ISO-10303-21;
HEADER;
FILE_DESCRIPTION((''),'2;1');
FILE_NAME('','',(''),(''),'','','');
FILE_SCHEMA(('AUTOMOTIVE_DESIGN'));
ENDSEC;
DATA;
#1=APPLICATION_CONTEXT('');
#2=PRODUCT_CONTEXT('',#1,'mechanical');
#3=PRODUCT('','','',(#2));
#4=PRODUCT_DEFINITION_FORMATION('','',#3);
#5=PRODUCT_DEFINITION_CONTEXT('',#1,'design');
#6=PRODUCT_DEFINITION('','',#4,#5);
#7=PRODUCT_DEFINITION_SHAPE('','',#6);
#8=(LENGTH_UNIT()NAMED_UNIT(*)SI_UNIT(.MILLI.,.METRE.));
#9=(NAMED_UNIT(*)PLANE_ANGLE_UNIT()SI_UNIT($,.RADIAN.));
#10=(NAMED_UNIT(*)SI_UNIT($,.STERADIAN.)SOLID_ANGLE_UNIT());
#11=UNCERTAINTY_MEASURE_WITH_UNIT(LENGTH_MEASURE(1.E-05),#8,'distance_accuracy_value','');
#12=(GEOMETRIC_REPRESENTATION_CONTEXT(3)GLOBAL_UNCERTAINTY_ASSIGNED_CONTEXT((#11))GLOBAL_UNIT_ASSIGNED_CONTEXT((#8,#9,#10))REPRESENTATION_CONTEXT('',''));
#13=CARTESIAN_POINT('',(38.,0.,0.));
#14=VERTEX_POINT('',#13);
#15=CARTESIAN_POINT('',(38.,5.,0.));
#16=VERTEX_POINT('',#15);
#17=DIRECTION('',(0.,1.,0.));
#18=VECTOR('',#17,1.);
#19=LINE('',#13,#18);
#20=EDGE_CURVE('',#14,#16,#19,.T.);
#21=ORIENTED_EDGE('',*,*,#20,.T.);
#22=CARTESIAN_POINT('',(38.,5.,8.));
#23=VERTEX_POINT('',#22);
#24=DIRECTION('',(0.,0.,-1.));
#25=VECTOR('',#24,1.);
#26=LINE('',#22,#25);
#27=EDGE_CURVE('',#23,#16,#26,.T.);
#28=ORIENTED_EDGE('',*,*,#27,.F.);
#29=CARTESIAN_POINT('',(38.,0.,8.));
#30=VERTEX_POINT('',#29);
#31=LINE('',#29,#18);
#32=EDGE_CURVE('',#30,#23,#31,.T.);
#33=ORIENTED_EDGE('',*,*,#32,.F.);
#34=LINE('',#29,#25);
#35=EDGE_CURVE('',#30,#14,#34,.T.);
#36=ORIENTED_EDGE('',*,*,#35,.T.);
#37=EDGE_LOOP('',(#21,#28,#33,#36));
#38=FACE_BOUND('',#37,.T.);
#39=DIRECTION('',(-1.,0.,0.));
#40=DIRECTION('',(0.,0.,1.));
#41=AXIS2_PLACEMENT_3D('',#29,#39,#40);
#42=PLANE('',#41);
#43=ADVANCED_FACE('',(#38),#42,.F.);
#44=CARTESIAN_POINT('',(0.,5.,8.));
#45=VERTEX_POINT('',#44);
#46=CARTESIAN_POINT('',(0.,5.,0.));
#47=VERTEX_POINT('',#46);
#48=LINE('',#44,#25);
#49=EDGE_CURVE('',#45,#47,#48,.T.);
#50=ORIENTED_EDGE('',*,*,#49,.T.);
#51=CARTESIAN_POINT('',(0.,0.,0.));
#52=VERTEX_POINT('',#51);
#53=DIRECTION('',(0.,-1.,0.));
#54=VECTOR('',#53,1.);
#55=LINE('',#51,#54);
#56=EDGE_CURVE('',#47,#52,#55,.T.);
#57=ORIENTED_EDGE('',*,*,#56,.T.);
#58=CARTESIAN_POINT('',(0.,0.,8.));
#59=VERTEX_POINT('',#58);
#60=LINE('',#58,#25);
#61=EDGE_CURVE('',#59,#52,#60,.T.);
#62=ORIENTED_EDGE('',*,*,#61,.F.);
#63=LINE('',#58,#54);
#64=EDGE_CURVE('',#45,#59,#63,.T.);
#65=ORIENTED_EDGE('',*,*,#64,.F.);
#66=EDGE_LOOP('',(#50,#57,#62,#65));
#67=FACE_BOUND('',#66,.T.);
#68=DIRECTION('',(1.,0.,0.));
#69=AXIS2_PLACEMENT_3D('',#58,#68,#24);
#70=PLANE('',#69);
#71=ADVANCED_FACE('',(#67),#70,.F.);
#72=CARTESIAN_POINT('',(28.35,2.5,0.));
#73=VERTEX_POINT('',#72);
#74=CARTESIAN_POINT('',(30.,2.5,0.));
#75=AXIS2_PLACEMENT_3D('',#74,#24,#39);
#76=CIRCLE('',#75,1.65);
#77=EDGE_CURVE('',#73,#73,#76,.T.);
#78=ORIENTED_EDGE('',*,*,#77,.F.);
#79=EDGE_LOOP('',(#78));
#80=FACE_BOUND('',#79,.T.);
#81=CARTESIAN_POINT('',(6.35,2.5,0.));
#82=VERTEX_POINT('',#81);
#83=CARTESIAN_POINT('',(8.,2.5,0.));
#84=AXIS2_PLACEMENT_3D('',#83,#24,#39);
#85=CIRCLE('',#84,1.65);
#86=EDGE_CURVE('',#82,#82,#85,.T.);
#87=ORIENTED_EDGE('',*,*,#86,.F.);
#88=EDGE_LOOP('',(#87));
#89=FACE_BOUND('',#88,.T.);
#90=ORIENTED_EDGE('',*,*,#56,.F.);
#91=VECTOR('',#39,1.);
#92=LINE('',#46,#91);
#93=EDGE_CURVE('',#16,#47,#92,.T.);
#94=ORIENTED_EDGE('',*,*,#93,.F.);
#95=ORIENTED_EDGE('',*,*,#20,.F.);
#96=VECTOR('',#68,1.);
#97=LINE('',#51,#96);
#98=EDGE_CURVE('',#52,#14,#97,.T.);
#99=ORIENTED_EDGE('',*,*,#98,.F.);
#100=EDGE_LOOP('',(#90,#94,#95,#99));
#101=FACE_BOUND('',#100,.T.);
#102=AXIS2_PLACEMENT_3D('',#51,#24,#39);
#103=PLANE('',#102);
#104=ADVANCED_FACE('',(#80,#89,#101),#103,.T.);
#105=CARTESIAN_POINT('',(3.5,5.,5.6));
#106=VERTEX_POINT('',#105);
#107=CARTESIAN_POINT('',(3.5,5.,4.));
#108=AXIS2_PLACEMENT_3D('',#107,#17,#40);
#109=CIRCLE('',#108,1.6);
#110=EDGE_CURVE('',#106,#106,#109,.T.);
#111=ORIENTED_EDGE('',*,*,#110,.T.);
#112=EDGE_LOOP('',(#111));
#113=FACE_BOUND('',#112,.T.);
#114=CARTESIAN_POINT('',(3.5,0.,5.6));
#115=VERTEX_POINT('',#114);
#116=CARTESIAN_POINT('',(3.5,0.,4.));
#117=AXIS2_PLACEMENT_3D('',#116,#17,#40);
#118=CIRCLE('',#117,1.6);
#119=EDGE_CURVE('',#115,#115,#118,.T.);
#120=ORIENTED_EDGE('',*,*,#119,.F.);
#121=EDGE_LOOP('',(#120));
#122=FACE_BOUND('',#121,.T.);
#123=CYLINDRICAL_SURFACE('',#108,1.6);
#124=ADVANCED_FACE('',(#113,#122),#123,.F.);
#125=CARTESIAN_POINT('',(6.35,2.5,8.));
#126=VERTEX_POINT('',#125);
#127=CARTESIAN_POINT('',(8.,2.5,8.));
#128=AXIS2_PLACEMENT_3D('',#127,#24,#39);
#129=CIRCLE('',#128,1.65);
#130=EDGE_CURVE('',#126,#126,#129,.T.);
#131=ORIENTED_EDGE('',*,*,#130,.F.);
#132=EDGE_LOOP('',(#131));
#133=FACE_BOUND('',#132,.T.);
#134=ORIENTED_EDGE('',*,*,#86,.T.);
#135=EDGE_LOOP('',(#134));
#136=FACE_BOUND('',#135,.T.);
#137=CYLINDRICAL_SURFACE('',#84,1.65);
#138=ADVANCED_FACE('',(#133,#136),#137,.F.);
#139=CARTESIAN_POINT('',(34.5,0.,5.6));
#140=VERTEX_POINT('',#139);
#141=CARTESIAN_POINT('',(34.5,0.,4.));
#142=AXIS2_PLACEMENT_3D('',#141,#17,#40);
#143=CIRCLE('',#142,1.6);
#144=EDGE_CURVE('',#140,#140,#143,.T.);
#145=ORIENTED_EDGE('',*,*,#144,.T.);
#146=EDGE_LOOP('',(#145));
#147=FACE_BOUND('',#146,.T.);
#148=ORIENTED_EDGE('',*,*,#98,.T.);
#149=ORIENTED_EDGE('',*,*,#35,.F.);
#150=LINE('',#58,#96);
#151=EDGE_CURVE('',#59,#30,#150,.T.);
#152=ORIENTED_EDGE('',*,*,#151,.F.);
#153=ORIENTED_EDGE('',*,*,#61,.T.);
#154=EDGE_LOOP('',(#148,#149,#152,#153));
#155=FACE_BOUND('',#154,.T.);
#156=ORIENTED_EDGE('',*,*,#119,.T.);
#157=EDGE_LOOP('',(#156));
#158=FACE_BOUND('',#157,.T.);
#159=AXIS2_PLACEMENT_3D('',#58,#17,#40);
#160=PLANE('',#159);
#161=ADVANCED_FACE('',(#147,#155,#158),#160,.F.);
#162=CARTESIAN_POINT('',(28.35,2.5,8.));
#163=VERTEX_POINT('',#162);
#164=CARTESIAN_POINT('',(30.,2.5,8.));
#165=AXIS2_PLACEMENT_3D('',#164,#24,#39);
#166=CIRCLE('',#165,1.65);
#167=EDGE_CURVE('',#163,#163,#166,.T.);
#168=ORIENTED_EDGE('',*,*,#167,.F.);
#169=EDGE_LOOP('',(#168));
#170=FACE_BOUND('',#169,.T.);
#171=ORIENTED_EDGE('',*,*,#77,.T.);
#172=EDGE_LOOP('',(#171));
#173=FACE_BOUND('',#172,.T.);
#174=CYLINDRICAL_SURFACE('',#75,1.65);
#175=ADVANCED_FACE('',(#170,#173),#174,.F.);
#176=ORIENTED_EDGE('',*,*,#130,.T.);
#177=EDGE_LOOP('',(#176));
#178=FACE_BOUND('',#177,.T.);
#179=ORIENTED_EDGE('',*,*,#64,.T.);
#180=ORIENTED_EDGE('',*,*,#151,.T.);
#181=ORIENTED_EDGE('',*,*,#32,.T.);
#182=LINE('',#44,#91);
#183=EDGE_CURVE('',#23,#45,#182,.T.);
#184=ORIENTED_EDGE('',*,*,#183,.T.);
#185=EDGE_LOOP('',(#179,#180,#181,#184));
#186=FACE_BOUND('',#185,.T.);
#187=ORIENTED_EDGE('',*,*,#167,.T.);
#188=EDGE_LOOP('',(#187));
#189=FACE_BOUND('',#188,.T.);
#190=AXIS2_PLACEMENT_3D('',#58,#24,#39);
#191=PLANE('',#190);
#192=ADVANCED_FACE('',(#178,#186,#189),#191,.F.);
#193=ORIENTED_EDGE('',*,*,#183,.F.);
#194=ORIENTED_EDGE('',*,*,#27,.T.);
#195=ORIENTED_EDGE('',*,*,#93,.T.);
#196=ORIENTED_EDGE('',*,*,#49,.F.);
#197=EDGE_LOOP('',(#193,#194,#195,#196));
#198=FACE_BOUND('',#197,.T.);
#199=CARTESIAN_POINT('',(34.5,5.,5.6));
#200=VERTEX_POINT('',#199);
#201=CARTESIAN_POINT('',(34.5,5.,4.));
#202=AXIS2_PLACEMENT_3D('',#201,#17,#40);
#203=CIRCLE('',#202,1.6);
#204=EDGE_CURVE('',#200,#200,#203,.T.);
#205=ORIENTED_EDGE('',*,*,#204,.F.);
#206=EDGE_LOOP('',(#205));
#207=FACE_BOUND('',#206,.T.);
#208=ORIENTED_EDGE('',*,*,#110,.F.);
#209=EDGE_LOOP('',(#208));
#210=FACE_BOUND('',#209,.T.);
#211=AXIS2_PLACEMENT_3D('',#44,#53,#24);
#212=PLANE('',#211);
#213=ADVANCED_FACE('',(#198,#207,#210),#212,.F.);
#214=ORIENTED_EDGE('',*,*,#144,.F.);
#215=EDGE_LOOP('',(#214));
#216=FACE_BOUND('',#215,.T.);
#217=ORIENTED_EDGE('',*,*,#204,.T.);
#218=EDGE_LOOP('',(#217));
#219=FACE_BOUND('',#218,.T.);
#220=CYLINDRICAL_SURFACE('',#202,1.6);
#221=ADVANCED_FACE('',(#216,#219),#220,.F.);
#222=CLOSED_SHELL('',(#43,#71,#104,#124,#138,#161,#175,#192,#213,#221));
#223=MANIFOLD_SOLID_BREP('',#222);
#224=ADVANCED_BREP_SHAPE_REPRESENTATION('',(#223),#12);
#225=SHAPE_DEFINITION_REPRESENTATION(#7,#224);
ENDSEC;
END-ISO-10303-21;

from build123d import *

# Parameters (mm, degrees)
CROQUIS1_W                          = 38
CROQUIS1_H                          = 5
SALIENTE_EXTRUIR1_DEPTH             = 8
DI_METRO_DE_TALADRO_3_2_3_2_1_D     = 3.2
DI_METRO_DE_TALADRO_3_2_3_2_1_DEPTH = 12
DI_METRO_DE_TALADRO_3_2_3_2_1_TIP   = 0.96137699
TALADRO_ROSCADO_M41_D               = 3.3
TALADRO_ROSCADO_M41_DEPTH           = 8


with BuildPart() as part:
    # Croquis1 → Saliente-Extruir1 (new body)
    with BuildSketch(Plane.XY):
        with Locations((19, 2.5)):
            Rectangle(CROQUIS1_W, CROQUIS1_H)
    extrude(amount=SALIENTE_EXTRUIR1_DEPTH)

    # Diámetro de taladro Ø3.2 (3.2)1
    with Locations(Plane(origin=(3.5, 5, 4), x_dir=(0, 0, 1), z_dir=(0, 1, 0))):
        with Locations((0, 0), (0, 31)):
            Hole(DI_METRO_DE_TALADRO_3_2_3_2_1_D / 2, depth=DI_METRO_DE_TALADRO_3_2_3_2_1_DEPTH)
            with Locations((0, 0, -(DI_METRO_DE_TALADRO_3_2_3_2_1_DEPTH + DI_METRO_DE_TALADRO_3_2_3_2_1_TIP / 2))):  # 118° drill point
                Cone(0, DI_METRO_DE_TALADRO_3_2_3_2_1_D / 2, DI_METRO_DE_TALADRO_3_2_3_2_1_TIP, mode=Mode.SUBTRACT)

    # Taladro roscado M41
    with Locations(Plane(origin=(8, 2.5, 0), x_dir=(-1, 0, 0), z_dir=(0, 0, -1))):
        with Locations((0, 0), (-22, 0)):
            Hole(TALADRO_ROSCADO_M41_D / 2, depth=TALADRO_ROSCADO_M41_DEPTH)


solid = part.part
